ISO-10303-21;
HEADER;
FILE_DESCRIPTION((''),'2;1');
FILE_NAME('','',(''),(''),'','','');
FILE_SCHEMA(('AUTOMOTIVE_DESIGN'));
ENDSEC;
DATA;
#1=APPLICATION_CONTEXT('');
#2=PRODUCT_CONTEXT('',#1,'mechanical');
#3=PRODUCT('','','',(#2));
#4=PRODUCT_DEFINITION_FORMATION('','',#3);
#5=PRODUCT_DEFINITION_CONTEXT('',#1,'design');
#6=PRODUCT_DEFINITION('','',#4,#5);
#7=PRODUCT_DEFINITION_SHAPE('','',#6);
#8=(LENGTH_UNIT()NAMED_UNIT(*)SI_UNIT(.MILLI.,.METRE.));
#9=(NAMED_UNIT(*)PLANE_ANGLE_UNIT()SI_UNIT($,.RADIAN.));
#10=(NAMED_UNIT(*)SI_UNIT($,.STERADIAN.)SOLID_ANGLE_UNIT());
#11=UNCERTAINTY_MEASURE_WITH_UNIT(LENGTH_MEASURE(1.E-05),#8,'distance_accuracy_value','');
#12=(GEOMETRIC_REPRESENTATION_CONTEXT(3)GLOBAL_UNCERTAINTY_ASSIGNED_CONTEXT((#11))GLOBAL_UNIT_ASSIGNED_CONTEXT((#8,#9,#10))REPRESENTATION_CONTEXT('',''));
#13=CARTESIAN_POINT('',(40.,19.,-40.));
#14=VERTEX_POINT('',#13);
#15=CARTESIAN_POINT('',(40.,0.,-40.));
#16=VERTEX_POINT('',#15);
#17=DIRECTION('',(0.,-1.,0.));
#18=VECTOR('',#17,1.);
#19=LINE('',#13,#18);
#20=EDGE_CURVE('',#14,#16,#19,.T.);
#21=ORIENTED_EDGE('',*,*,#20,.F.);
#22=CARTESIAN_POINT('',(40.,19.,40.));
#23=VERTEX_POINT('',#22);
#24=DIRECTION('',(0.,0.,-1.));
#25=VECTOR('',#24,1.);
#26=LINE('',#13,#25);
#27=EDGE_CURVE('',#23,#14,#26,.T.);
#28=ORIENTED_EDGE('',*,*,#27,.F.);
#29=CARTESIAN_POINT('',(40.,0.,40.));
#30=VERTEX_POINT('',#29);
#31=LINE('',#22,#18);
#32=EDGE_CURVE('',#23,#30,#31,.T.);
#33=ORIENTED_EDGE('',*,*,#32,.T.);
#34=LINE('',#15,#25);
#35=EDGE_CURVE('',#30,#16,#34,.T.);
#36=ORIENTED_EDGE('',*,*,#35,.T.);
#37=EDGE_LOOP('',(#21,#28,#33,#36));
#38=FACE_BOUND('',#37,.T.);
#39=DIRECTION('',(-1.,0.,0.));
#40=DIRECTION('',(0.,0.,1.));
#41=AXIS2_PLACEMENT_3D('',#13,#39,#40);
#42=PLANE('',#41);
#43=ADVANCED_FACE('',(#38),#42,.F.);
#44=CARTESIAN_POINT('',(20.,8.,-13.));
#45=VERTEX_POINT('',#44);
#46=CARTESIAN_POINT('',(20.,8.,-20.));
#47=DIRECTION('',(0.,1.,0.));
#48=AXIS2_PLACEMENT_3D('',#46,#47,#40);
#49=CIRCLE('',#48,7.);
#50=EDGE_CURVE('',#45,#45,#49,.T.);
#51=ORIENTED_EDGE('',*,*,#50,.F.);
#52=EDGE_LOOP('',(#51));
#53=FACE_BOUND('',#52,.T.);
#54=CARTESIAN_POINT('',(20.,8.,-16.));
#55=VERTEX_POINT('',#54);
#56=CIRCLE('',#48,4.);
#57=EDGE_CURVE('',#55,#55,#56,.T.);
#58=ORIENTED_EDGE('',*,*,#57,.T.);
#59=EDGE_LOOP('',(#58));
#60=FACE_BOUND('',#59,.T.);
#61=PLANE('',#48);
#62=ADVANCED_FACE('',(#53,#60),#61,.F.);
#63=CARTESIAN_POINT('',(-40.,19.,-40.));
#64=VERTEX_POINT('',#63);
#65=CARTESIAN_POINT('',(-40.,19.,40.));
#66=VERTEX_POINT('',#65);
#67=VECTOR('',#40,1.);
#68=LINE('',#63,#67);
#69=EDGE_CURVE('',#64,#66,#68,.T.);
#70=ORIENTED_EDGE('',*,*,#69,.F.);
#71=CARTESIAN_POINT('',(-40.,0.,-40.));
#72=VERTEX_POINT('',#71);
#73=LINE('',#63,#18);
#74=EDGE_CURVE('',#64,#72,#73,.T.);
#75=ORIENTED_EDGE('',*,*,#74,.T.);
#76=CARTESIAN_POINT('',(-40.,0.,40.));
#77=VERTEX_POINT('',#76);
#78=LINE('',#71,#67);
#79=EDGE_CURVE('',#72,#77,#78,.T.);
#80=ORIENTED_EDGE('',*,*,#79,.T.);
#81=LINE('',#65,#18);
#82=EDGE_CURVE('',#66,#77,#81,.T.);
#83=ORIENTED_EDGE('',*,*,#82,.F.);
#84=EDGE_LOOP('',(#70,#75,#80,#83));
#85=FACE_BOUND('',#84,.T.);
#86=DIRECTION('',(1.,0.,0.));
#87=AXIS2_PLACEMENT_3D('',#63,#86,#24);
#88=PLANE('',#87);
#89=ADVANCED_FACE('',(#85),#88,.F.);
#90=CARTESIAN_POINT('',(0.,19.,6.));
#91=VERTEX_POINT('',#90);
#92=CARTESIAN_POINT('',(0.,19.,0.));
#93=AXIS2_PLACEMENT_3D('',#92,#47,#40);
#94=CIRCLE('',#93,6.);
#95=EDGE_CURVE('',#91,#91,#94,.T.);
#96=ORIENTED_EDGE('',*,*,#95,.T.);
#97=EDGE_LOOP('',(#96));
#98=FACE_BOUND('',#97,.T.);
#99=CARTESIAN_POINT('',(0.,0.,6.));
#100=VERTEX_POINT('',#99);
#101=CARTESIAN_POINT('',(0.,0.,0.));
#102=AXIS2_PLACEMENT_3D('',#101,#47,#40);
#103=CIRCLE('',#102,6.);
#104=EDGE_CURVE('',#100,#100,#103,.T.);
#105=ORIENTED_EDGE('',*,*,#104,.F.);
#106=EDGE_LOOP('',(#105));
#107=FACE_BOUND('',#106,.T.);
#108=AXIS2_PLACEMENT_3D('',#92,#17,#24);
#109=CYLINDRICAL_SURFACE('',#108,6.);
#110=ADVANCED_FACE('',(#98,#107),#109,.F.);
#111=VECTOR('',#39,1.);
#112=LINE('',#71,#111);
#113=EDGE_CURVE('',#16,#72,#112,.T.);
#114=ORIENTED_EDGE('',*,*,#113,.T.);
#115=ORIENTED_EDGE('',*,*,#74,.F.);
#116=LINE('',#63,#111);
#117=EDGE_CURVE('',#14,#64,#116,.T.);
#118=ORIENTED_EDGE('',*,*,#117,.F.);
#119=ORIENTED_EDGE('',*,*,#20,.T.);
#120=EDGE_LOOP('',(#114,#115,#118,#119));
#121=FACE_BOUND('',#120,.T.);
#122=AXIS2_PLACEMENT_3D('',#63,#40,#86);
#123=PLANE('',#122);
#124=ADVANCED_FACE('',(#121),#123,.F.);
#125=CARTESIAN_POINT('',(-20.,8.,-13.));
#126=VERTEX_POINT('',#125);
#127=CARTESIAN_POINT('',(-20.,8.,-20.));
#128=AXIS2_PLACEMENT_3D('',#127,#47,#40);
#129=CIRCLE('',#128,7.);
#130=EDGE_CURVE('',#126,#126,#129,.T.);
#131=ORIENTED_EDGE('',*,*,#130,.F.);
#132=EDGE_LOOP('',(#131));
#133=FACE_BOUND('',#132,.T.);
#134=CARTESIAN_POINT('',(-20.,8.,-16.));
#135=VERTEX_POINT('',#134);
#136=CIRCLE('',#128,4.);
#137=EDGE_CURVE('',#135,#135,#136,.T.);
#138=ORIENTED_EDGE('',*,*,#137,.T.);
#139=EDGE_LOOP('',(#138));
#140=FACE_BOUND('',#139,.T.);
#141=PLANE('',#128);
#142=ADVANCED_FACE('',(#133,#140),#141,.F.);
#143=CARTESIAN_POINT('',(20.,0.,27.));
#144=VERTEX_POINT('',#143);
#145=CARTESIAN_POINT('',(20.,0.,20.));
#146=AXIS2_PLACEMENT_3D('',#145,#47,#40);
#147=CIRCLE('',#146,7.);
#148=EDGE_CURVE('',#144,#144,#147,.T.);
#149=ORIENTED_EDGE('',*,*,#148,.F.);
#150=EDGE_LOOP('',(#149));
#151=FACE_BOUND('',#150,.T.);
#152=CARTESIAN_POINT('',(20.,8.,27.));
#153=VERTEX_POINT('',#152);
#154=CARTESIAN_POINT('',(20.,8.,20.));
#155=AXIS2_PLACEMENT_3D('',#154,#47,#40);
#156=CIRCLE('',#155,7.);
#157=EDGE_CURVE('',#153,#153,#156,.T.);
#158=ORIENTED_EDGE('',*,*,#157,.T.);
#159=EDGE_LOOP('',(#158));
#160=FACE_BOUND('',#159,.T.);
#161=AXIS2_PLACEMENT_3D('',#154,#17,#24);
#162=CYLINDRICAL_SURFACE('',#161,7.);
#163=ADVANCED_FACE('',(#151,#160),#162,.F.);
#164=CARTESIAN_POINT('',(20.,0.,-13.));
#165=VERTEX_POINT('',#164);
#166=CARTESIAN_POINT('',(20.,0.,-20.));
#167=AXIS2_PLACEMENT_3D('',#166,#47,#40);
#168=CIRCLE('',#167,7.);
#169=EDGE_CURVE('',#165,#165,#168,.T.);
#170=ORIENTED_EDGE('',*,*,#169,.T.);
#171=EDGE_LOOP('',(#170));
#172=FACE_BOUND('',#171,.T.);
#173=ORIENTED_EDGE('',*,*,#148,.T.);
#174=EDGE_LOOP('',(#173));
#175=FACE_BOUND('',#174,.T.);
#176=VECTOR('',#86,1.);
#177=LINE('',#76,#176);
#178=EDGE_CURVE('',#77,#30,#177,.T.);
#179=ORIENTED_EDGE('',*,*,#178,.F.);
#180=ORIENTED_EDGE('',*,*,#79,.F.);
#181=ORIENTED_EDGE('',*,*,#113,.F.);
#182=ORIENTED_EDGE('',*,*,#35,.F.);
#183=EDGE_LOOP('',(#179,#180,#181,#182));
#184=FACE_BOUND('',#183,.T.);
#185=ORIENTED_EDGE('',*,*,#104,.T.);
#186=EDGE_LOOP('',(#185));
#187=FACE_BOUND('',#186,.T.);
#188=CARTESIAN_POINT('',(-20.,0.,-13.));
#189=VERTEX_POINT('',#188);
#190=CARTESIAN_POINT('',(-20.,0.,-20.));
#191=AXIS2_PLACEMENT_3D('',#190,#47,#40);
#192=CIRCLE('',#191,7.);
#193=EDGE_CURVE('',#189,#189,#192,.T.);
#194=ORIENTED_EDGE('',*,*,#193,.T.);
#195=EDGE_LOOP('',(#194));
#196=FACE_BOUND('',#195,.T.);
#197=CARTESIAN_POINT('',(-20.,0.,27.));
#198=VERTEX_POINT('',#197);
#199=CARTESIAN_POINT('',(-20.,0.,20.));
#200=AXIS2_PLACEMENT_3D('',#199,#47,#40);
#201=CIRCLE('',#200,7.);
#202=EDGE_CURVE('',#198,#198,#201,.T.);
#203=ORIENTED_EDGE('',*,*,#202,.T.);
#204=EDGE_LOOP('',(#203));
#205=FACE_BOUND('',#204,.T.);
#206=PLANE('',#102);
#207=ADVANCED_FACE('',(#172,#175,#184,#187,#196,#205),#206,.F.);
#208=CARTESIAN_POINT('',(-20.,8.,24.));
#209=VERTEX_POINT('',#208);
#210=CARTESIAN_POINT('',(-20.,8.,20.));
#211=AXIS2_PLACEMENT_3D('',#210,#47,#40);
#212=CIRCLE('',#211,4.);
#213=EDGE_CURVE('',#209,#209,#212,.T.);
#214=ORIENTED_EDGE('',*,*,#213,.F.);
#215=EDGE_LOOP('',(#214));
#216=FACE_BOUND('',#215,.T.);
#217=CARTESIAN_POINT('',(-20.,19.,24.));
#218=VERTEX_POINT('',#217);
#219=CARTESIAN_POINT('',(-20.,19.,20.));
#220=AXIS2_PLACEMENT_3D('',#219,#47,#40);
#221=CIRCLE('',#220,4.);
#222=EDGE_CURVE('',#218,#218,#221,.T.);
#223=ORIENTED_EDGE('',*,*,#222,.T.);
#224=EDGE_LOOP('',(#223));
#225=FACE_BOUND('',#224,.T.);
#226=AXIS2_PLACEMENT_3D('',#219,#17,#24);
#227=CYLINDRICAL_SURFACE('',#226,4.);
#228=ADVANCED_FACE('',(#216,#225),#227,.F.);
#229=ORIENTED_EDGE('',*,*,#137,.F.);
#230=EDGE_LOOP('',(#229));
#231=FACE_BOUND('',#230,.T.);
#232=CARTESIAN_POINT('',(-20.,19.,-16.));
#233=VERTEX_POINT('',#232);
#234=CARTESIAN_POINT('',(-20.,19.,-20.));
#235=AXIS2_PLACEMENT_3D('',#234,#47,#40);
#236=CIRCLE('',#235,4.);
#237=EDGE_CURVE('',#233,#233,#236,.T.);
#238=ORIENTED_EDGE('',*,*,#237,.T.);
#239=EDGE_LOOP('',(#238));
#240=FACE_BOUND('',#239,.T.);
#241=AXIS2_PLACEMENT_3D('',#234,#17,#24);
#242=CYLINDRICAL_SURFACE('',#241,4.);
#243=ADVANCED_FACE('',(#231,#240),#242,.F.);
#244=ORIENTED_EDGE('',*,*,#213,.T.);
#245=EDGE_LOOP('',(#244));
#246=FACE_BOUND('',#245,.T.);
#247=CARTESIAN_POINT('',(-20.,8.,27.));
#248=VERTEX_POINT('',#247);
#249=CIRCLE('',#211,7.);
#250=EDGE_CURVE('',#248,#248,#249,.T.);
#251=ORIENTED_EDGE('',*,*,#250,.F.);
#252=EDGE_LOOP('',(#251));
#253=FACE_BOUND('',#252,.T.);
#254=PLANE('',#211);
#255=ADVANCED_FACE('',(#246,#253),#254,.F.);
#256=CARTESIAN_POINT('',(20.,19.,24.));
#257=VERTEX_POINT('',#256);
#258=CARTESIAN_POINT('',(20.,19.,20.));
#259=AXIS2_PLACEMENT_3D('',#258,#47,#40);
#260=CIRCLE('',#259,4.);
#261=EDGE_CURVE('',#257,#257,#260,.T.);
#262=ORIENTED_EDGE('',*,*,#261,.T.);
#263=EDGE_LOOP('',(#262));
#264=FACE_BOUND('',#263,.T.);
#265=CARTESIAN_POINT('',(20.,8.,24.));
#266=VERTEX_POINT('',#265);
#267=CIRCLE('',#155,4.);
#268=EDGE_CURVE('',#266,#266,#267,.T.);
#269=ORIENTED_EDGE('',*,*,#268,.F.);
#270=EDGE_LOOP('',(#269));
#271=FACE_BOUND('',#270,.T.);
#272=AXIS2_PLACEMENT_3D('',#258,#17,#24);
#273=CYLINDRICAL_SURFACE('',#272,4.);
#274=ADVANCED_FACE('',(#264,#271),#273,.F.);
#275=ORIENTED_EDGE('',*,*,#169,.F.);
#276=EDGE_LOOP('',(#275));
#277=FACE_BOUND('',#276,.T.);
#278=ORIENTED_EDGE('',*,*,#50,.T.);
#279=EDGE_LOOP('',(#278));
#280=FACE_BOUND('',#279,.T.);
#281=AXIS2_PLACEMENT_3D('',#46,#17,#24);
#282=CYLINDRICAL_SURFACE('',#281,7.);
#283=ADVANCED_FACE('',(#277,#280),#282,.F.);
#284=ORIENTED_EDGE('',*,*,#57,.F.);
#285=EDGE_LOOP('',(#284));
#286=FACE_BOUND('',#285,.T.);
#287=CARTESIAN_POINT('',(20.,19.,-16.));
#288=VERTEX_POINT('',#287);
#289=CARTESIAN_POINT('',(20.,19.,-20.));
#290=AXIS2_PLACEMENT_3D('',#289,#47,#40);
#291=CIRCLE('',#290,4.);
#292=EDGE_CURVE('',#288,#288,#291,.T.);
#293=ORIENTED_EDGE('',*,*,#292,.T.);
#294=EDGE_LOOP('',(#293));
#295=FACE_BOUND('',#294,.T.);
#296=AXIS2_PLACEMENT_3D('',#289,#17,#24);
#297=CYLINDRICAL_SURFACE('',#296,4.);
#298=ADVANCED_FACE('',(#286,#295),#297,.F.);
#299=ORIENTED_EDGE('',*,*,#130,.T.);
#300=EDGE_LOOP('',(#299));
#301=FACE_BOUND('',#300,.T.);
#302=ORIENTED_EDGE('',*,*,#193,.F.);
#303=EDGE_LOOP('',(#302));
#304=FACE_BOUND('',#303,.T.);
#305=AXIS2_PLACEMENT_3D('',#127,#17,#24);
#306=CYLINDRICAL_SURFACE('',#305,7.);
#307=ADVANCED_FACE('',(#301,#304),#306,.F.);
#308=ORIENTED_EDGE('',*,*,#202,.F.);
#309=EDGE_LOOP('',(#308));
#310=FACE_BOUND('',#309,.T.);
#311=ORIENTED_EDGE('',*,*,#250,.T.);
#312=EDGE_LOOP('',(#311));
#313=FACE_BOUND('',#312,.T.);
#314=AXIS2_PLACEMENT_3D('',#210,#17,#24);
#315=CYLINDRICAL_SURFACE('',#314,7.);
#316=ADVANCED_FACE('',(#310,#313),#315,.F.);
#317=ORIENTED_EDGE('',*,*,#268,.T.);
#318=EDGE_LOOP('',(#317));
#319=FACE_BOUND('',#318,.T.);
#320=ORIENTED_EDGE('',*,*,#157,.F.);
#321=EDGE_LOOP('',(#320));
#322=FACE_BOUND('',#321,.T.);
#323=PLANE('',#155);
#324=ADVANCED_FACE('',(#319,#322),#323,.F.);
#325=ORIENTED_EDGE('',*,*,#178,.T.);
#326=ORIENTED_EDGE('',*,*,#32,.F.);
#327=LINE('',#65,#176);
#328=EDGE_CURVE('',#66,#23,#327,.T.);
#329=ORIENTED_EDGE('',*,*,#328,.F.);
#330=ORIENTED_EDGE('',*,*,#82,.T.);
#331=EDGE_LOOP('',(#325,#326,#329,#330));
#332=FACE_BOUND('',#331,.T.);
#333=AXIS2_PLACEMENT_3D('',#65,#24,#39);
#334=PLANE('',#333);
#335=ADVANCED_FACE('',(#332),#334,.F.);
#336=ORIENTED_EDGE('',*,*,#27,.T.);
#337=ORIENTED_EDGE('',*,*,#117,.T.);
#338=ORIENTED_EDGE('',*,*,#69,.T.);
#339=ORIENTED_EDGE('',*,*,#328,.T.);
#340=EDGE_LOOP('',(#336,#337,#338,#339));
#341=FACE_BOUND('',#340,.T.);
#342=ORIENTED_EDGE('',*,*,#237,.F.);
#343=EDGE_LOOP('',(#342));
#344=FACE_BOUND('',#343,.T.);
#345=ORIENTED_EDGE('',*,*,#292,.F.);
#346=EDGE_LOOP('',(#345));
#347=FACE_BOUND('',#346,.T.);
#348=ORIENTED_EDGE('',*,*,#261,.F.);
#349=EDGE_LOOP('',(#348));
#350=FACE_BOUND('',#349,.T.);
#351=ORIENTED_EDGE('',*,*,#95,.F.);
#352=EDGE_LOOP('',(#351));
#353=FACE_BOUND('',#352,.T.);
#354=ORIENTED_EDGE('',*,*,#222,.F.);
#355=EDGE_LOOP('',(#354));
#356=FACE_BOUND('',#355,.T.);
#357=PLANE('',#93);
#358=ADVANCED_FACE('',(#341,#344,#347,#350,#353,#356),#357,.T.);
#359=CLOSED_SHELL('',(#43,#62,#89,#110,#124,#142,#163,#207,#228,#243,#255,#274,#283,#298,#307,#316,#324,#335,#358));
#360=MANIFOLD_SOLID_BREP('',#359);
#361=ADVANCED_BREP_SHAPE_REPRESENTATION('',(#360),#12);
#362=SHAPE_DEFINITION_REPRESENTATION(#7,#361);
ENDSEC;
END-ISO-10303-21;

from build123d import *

# Parameters (mm, degrees)
SKETCH1_W           = 80
SKETCH1_H           = 80
SKETCH1_R           = 4
SKETCH1_R_2         = 6
BOSS_EXTRUDE1_DEPTH = 19
SKETCH2_R           = 7
CUT_EXTRUDE1_DEPTH  = 8


with BuildPart() as part:
    # Sketch1 → Boss-Extrude1 (new body)
    with BuildSketch(Plane(origin=(0, 0, 0), x_dir=(1, 0, 0), z_dir=(0, 1, 0))):
        Rectangle(SKETCH1_W, SKETCH1_H)
        with Locations(Location((-20, 20, 0), (0, 0, 270))):
            Circle(SKETCH1_R, mode=Mode.SUBTRACT)
        with Locations(Location((20, 20, 0), (0, 0, 270))):
            Circle(SKETCH1_R, mode=Mode.SUBTRACT)
        with Locations(Location((20, -20, 0), (0, 0, 270))):
            Circle(SKETCH1_R, mode=Mode.SUBTRACT)
        with Locations(Location((-20, -20, 0), (0, 0, 270))):
            Circle(SKETCH1_R, mode=Mode.SUBTRACT)
        with Locations(Location((0, 0, 0), (0, 0, 270))):
            Circle(SKETCH1_R_2, mode=Mode.SUBTRACT)
    extrude(amount=BOSS_EXTRUDE1_DEPTH)

    # Sketch2 → Cut-Extrude1 (cut)
    with BuildSketch(Plane(origin=(0, 0, 0), x_dir=(1, 0, 0), z_dir=(0, 1, 0))):
        with Locations(Location((-20, 20, 0), (0, 0, 270))):
            Circle(SKETCH2_R)
        with Locations(Location((20, 20, 0), (0, 0, 270))):
            Circle(SKETCH2_R)
        with Locations(Location((20, -20, 0), (0, 0, 270))):
            Circle(SKETCH2_R)
        with Locations(Location((-20, -20, 0), (0, 0, 270))):
            Circle(SKETCH2_R)
    extrude(amount=CUT_EXTRUDE1_DEPTH, mode=Mode.SUBTRACT)


solid = part.part
